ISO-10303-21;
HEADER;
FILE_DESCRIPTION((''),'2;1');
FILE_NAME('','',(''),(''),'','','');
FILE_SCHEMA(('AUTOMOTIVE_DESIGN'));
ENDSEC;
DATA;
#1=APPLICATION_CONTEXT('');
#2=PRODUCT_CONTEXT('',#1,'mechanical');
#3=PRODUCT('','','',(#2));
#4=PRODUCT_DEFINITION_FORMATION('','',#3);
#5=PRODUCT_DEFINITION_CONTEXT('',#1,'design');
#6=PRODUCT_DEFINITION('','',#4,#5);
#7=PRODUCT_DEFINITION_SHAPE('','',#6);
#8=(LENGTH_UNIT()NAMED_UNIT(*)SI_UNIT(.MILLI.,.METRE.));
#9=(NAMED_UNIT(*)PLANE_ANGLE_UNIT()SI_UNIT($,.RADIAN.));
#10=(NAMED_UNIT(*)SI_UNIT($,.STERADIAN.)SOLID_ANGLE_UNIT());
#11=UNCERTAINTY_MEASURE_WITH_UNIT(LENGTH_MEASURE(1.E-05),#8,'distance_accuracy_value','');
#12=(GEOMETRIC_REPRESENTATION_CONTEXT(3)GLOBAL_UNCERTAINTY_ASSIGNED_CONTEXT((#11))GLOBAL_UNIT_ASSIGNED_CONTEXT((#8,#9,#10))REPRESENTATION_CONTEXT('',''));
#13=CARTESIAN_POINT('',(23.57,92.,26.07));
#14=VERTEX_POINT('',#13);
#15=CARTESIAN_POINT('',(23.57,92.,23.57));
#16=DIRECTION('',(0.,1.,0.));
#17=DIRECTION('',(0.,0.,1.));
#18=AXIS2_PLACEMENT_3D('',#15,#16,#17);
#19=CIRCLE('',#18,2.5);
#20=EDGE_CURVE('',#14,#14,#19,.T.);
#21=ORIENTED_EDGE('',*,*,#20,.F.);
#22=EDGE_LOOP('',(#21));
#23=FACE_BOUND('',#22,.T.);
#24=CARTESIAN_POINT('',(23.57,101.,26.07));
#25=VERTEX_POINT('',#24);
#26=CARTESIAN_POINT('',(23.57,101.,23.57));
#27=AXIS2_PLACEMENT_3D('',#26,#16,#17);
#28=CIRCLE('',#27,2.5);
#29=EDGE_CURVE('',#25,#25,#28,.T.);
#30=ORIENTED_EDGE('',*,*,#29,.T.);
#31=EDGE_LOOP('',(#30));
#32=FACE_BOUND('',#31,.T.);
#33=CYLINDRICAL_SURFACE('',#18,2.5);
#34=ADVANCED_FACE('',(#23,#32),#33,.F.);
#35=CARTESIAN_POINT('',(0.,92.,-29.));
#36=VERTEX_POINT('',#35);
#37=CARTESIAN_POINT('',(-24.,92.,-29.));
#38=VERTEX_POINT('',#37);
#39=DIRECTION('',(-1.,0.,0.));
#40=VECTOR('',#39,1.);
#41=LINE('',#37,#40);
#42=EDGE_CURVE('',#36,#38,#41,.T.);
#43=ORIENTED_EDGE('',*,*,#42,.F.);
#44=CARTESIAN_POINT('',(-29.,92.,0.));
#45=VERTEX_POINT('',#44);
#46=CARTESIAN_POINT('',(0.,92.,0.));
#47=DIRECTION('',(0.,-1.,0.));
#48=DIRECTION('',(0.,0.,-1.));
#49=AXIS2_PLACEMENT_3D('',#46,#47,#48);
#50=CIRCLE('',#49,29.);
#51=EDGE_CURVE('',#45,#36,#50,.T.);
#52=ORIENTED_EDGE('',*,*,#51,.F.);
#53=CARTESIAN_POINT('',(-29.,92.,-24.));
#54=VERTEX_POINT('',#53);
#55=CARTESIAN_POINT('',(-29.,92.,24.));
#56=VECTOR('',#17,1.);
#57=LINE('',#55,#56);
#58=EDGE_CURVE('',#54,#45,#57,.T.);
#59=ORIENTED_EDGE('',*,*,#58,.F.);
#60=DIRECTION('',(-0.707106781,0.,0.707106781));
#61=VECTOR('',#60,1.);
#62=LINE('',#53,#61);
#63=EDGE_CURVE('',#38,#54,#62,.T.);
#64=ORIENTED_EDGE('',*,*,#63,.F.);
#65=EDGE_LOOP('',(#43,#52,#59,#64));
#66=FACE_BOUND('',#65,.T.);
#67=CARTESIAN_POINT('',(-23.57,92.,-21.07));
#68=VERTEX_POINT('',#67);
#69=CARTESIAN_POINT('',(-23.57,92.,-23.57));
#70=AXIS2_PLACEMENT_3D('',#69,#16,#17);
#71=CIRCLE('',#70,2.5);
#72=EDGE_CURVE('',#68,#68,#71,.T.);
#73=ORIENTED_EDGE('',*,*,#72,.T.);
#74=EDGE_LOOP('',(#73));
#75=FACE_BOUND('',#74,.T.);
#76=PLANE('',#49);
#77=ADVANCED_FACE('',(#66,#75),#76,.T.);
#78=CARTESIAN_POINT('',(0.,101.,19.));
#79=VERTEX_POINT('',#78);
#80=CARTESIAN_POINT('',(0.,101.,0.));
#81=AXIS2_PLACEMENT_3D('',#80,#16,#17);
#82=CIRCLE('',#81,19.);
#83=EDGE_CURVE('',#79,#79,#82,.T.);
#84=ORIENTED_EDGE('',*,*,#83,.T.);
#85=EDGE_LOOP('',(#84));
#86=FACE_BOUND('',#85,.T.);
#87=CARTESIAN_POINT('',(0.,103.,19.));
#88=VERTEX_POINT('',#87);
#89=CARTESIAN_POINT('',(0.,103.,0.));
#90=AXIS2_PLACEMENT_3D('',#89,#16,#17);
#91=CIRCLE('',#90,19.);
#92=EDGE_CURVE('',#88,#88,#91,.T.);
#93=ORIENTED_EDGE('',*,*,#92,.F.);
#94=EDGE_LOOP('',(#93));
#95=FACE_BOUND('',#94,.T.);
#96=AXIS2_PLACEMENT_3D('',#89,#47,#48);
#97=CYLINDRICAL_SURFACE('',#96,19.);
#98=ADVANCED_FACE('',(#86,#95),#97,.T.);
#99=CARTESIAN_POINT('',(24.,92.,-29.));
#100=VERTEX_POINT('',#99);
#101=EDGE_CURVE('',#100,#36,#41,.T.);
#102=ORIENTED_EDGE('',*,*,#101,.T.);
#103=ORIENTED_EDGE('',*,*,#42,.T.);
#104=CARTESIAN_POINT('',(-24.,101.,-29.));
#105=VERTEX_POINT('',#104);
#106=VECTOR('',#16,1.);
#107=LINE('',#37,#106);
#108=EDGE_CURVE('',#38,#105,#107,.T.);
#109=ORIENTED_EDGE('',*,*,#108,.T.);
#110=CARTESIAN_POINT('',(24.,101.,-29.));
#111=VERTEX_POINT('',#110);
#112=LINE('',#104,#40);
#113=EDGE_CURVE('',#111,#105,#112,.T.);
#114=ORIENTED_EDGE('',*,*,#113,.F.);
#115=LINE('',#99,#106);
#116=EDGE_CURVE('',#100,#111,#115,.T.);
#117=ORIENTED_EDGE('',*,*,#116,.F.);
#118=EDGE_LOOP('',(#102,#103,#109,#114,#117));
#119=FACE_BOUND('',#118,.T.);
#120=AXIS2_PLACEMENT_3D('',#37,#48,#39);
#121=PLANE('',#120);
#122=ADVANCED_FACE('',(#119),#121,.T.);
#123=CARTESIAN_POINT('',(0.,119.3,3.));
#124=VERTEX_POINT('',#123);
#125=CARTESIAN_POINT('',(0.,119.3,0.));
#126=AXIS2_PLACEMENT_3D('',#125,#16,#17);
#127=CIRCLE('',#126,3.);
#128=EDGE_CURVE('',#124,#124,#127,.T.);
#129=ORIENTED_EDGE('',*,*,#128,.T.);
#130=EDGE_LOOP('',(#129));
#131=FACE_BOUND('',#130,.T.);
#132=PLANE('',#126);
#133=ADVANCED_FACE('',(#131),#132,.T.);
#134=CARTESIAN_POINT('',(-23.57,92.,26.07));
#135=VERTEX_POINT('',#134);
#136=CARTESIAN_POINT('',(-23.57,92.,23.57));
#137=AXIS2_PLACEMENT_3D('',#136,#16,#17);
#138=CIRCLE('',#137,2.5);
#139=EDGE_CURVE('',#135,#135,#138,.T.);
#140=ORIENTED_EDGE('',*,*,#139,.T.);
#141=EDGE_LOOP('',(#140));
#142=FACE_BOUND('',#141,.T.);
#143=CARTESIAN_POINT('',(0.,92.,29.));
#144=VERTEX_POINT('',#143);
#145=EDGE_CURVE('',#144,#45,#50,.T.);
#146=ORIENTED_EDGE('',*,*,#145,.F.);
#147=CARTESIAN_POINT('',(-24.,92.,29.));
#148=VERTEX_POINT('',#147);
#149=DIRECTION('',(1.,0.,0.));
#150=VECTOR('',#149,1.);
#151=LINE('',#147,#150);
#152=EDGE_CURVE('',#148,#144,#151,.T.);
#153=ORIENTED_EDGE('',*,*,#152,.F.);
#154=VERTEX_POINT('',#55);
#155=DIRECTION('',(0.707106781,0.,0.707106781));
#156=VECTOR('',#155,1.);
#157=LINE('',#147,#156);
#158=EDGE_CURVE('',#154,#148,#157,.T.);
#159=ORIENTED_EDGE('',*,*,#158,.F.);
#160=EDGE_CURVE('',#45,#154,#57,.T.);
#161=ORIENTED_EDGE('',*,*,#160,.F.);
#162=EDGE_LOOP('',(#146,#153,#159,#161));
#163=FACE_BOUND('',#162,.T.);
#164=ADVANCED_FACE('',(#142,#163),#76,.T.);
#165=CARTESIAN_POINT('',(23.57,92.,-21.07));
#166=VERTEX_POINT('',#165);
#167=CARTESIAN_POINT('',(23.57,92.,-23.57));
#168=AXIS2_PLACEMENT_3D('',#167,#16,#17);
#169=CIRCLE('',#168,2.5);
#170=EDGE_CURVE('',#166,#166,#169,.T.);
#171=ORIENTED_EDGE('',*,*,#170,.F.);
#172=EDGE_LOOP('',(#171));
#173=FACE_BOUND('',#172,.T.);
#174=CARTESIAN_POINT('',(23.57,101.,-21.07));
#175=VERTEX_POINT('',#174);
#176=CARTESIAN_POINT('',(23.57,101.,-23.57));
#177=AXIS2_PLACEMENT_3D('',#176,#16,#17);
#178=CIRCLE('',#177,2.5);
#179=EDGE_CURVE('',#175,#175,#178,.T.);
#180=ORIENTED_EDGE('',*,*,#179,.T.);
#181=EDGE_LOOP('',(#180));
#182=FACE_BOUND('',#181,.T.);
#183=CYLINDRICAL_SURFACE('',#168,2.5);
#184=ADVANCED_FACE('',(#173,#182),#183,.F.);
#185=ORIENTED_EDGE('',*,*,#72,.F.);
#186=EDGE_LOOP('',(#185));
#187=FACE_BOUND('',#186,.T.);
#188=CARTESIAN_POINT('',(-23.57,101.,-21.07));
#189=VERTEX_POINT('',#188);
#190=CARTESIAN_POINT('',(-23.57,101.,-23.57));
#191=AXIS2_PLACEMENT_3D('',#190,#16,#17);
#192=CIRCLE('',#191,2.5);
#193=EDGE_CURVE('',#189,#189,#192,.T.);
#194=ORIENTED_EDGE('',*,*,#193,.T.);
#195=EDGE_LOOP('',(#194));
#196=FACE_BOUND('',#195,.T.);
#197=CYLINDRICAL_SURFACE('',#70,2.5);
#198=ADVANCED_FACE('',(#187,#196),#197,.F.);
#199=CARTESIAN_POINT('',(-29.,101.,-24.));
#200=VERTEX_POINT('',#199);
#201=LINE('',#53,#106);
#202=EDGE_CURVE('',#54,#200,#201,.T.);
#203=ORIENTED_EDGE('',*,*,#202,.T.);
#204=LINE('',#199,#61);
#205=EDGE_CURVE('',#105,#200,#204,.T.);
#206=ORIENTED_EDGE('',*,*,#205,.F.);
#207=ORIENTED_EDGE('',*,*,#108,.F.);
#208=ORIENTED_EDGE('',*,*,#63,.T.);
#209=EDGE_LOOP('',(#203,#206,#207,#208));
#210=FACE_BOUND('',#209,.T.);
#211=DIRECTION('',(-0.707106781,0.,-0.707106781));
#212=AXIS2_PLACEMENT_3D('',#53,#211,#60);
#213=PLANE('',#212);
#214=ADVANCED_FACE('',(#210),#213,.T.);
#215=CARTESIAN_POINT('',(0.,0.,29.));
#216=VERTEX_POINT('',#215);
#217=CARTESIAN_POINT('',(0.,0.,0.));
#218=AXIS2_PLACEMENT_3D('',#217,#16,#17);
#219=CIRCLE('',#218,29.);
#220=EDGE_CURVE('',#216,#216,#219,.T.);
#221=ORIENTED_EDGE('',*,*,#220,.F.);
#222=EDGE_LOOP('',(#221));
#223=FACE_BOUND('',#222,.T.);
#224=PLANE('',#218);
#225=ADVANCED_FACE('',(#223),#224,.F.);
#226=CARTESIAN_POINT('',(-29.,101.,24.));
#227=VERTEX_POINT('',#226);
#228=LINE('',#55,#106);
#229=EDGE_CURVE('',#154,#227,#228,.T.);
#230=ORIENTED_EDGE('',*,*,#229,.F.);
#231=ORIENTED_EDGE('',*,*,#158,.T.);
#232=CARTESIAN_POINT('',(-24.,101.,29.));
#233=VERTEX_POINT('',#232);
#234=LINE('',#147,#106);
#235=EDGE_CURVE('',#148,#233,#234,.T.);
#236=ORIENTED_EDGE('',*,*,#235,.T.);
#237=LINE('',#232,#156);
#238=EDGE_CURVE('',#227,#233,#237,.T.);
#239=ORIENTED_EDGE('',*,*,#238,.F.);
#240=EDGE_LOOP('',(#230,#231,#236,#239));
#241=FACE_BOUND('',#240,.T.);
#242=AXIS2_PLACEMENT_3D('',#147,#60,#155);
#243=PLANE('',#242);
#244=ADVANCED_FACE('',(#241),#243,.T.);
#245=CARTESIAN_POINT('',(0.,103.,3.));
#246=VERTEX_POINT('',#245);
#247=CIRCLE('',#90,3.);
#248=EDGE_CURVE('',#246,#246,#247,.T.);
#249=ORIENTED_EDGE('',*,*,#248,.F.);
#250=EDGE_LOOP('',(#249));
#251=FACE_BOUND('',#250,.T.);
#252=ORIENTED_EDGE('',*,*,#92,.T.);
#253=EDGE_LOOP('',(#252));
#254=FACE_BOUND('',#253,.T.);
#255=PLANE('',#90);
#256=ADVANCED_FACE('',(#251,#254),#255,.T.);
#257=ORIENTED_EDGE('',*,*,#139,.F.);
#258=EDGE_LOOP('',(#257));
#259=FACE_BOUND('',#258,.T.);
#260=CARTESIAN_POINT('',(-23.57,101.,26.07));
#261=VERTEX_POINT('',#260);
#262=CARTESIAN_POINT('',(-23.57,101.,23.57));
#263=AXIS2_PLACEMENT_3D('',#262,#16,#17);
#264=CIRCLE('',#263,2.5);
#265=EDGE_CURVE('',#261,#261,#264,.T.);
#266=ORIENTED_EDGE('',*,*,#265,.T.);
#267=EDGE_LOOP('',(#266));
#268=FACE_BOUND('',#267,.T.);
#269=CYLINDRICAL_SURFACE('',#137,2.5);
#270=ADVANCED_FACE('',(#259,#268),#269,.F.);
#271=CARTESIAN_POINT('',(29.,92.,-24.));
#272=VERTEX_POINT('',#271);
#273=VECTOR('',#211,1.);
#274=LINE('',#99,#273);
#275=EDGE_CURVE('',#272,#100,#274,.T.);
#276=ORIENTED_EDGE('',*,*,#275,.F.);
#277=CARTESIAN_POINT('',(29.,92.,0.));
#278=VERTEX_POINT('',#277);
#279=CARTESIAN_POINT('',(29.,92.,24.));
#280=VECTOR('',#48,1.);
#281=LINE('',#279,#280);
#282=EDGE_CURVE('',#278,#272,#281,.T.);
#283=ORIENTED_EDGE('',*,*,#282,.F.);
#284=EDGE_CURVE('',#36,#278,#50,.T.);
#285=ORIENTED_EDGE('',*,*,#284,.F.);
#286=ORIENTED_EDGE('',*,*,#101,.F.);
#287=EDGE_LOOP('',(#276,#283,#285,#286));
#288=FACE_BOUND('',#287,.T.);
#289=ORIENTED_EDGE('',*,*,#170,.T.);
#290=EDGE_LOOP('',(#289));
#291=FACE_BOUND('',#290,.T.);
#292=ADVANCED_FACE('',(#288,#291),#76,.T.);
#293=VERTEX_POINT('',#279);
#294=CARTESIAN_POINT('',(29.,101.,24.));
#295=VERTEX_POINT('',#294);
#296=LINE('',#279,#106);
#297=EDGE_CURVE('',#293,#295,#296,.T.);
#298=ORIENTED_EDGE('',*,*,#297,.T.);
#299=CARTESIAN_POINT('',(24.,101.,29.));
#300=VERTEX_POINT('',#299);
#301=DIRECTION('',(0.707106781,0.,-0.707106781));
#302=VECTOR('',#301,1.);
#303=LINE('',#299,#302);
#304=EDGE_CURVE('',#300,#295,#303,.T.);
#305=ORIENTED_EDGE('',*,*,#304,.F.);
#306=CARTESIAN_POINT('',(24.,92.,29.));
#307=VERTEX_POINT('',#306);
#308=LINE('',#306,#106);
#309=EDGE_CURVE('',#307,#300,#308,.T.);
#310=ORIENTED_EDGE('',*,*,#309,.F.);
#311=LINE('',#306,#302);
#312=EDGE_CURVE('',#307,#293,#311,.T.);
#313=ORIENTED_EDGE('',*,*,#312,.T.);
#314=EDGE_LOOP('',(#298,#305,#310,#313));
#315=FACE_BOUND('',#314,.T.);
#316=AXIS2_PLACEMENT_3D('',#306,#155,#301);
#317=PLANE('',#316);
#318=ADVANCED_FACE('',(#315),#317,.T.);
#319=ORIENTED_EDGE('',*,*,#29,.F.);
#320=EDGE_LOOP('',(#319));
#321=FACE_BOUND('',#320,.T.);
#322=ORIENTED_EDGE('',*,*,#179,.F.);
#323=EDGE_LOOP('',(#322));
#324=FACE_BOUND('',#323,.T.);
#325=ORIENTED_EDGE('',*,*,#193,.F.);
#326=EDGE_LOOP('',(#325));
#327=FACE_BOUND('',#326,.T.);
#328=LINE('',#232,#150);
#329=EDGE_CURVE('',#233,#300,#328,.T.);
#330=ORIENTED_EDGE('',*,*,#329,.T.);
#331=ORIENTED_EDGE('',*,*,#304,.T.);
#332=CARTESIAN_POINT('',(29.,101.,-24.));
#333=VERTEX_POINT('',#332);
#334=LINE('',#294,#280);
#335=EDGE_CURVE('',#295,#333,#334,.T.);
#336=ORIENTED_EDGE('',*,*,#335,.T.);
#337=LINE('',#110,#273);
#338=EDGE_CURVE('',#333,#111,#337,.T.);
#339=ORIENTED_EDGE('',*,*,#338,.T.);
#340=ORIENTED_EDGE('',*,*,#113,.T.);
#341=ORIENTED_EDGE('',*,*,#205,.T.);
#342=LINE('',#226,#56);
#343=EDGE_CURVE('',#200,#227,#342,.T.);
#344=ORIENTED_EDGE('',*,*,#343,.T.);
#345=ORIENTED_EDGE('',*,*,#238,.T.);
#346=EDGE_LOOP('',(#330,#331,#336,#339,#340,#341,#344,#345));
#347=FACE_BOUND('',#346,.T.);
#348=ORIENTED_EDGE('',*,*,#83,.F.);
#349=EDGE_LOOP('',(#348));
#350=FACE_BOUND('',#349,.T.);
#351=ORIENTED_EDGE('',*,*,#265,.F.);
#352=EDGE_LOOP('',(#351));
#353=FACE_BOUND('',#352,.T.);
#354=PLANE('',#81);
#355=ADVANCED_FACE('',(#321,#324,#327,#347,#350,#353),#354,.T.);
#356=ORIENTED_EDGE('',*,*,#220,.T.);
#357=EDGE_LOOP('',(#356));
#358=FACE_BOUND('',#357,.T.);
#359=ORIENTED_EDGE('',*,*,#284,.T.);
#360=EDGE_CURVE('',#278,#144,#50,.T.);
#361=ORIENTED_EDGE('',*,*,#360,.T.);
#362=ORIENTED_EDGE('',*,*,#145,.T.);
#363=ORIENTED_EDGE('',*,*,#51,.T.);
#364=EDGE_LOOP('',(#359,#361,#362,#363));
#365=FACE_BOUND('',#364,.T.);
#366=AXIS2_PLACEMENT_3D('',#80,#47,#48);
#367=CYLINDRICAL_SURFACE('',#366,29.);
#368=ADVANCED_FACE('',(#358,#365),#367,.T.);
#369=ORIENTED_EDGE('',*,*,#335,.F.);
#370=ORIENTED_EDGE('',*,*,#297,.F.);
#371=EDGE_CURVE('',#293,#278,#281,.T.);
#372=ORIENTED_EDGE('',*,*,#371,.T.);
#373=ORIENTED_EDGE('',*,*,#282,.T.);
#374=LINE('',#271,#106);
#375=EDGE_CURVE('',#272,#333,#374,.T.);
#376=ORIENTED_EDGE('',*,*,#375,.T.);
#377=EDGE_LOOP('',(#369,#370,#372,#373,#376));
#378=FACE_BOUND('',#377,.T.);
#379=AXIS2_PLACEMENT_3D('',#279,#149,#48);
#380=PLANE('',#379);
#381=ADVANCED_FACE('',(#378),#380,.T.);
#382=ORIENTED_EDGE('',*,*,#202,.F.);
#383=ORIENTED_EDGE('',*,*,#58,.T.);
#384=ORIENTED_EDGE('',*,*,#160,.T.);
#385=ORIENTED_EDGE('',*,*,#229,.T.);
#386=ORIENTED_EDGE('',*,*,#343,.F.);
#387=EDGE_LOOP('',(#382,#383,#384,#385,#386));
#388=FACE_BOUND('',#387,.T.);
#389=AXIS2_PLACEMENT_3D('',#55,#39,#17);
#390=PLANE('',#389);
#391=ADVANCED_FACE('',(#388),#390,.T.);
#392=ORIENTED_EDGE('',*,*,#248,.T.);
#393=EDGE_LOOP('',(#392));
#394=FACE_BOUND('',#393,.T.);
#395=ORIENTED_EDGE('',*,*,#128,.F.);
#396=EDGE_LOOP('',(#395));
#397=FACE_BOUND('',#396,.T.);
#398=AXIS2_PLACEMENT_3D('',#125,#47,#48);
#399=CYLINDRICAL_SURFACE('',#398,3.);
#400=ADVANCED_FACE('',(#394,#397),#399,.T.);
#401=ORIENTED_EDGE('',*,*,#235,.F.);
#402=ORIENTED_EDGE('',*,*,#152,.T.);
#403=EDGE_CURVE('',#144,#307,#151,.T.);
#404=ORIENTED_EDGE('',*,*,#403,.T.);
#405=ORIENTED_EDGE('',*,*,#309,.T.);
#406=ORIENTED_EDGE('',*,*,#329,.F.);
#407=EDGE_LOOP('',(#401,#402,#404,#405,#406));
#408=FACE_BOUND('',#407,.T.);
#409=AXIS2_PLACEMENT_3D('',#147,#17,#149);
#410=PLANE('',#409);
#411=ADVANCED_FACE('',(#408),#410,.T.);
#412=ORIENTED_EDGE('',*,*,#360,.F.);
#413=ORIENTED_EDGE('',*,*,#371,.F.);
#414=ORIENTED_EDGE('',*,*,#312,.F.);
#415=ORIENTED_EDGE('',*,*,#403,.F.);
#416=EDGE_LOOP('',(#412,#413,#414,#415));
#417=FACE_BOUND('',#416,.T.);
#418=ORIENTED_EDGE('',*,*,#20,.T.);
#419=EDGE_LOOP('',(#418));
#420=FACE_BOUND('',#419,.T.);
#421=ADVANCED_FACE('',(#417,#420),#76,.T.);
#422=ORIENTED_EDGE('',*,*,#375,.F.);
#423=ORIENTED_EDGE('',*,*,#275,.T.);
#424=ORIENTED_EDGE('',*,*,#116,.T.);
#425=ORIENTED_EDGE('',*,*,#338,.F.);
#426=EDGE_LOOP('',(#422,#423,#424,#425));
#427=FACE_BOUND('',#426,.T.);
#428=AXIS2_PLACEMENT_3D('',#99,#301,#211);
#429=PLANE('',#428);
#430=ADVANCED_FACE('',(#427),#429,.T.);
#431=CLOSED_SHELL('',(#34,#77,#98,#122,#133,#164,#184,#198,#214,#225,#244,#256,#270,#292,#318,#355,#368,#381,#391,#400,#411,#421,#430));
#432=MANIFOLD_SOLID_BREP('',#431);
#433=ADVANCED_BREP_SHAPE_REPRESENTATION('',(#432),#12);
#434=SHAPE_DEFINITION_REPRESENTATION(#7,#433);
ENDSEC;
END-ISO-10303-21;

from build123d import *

# Parameters (mm, degrees)
SKETCH2_R           = 29
BOSS_EXTRUDE1_DEPTH = 101
SKETCH3_R           = 2.5
BOSS_EXTRUDE2_DEPTH = 9
SKETCH4_R           = 19
BOSS_EXTRUDE3_DEPTH = 2
SKETCH5_R           = 3
BOSS_EXTRUDE4_DEPTH = 16.3


with BuildPart() as part:
    # Sketch2 → Boss-Extrude1 (new body)
    with BuildSketch(Plane(origin=(0, 0, 0), x_dir=(1, 0, 0), z_dir=(0, 1, 0))):
        with Locations(Location((0, 0, 0), (0, 0, 270))):
            Circle(SKETCH2_R)
    extrude(amount=BOSS_EXTRUDE1_DEPTH)

    # Sketch3 → Boss-Extrude2 (add)
    with BuildSketch(Plane(origin=(0, 101, 0), x_dir=(1, 0, 0), z_dir=(0, 1, 0))):
        Polygon((-29, 24), (-24, 29), (24, 29), (29, 24), (29, -24), (24, -29), (-24, -29), (-29, -24), align=None)
        with Locations(Location((-23.57, 23.57, 0), (0, 0, 270))):
            Circle(SKETCH3_R, mode=Mode.SUBTRACT)
        with Locations(Location((23.57, 23.57, 0), (0, 0, 270))):
            Circle(SKETCH3_R, mode=Mode.SUBTRACT)
        with Locations(Location((23.57, -23.57, 0), (0, 0, 270))):
            Circle(SKETCH3_R, mode=Mode.SUBTRACT)
        with Locations(Location((-23.57, -23.57, 0), (0, 0, 270))):
            Circle(SKETCH3_R, mode=Mode.SUBTRACT)
    extrude(amount=-BOSS_EXTRUDE2_DEPTH)

    # Sketch4 → Boss-Extrude3 (add)
    with BuildSketch(Plane(origin=(0, 101, 0), x_dir=(1, 0, 0), z_dir=(0, 1, 0))):
        with Locations(Location((0, 0, 0), (0, 0, 270))):
            Circle(SKETCH4_R)
    extrude(amount=BOSS_EXTRUDE3_DEPTH)

    # Sketch5 → Boss-Extrude4 (add)
    with BuildSketch(Plane(origin=(0, 103, 0), x_dir=(1, 0, 0), z_dir=(0, 1, 0))):
        with Locations(Location((0, 0, 0), (0, 0, 270))):
            Circle(SKETCH5_R)
    extrude(amount=BOSS_EXTRUDE4_DEPTH)


solid = part.part
